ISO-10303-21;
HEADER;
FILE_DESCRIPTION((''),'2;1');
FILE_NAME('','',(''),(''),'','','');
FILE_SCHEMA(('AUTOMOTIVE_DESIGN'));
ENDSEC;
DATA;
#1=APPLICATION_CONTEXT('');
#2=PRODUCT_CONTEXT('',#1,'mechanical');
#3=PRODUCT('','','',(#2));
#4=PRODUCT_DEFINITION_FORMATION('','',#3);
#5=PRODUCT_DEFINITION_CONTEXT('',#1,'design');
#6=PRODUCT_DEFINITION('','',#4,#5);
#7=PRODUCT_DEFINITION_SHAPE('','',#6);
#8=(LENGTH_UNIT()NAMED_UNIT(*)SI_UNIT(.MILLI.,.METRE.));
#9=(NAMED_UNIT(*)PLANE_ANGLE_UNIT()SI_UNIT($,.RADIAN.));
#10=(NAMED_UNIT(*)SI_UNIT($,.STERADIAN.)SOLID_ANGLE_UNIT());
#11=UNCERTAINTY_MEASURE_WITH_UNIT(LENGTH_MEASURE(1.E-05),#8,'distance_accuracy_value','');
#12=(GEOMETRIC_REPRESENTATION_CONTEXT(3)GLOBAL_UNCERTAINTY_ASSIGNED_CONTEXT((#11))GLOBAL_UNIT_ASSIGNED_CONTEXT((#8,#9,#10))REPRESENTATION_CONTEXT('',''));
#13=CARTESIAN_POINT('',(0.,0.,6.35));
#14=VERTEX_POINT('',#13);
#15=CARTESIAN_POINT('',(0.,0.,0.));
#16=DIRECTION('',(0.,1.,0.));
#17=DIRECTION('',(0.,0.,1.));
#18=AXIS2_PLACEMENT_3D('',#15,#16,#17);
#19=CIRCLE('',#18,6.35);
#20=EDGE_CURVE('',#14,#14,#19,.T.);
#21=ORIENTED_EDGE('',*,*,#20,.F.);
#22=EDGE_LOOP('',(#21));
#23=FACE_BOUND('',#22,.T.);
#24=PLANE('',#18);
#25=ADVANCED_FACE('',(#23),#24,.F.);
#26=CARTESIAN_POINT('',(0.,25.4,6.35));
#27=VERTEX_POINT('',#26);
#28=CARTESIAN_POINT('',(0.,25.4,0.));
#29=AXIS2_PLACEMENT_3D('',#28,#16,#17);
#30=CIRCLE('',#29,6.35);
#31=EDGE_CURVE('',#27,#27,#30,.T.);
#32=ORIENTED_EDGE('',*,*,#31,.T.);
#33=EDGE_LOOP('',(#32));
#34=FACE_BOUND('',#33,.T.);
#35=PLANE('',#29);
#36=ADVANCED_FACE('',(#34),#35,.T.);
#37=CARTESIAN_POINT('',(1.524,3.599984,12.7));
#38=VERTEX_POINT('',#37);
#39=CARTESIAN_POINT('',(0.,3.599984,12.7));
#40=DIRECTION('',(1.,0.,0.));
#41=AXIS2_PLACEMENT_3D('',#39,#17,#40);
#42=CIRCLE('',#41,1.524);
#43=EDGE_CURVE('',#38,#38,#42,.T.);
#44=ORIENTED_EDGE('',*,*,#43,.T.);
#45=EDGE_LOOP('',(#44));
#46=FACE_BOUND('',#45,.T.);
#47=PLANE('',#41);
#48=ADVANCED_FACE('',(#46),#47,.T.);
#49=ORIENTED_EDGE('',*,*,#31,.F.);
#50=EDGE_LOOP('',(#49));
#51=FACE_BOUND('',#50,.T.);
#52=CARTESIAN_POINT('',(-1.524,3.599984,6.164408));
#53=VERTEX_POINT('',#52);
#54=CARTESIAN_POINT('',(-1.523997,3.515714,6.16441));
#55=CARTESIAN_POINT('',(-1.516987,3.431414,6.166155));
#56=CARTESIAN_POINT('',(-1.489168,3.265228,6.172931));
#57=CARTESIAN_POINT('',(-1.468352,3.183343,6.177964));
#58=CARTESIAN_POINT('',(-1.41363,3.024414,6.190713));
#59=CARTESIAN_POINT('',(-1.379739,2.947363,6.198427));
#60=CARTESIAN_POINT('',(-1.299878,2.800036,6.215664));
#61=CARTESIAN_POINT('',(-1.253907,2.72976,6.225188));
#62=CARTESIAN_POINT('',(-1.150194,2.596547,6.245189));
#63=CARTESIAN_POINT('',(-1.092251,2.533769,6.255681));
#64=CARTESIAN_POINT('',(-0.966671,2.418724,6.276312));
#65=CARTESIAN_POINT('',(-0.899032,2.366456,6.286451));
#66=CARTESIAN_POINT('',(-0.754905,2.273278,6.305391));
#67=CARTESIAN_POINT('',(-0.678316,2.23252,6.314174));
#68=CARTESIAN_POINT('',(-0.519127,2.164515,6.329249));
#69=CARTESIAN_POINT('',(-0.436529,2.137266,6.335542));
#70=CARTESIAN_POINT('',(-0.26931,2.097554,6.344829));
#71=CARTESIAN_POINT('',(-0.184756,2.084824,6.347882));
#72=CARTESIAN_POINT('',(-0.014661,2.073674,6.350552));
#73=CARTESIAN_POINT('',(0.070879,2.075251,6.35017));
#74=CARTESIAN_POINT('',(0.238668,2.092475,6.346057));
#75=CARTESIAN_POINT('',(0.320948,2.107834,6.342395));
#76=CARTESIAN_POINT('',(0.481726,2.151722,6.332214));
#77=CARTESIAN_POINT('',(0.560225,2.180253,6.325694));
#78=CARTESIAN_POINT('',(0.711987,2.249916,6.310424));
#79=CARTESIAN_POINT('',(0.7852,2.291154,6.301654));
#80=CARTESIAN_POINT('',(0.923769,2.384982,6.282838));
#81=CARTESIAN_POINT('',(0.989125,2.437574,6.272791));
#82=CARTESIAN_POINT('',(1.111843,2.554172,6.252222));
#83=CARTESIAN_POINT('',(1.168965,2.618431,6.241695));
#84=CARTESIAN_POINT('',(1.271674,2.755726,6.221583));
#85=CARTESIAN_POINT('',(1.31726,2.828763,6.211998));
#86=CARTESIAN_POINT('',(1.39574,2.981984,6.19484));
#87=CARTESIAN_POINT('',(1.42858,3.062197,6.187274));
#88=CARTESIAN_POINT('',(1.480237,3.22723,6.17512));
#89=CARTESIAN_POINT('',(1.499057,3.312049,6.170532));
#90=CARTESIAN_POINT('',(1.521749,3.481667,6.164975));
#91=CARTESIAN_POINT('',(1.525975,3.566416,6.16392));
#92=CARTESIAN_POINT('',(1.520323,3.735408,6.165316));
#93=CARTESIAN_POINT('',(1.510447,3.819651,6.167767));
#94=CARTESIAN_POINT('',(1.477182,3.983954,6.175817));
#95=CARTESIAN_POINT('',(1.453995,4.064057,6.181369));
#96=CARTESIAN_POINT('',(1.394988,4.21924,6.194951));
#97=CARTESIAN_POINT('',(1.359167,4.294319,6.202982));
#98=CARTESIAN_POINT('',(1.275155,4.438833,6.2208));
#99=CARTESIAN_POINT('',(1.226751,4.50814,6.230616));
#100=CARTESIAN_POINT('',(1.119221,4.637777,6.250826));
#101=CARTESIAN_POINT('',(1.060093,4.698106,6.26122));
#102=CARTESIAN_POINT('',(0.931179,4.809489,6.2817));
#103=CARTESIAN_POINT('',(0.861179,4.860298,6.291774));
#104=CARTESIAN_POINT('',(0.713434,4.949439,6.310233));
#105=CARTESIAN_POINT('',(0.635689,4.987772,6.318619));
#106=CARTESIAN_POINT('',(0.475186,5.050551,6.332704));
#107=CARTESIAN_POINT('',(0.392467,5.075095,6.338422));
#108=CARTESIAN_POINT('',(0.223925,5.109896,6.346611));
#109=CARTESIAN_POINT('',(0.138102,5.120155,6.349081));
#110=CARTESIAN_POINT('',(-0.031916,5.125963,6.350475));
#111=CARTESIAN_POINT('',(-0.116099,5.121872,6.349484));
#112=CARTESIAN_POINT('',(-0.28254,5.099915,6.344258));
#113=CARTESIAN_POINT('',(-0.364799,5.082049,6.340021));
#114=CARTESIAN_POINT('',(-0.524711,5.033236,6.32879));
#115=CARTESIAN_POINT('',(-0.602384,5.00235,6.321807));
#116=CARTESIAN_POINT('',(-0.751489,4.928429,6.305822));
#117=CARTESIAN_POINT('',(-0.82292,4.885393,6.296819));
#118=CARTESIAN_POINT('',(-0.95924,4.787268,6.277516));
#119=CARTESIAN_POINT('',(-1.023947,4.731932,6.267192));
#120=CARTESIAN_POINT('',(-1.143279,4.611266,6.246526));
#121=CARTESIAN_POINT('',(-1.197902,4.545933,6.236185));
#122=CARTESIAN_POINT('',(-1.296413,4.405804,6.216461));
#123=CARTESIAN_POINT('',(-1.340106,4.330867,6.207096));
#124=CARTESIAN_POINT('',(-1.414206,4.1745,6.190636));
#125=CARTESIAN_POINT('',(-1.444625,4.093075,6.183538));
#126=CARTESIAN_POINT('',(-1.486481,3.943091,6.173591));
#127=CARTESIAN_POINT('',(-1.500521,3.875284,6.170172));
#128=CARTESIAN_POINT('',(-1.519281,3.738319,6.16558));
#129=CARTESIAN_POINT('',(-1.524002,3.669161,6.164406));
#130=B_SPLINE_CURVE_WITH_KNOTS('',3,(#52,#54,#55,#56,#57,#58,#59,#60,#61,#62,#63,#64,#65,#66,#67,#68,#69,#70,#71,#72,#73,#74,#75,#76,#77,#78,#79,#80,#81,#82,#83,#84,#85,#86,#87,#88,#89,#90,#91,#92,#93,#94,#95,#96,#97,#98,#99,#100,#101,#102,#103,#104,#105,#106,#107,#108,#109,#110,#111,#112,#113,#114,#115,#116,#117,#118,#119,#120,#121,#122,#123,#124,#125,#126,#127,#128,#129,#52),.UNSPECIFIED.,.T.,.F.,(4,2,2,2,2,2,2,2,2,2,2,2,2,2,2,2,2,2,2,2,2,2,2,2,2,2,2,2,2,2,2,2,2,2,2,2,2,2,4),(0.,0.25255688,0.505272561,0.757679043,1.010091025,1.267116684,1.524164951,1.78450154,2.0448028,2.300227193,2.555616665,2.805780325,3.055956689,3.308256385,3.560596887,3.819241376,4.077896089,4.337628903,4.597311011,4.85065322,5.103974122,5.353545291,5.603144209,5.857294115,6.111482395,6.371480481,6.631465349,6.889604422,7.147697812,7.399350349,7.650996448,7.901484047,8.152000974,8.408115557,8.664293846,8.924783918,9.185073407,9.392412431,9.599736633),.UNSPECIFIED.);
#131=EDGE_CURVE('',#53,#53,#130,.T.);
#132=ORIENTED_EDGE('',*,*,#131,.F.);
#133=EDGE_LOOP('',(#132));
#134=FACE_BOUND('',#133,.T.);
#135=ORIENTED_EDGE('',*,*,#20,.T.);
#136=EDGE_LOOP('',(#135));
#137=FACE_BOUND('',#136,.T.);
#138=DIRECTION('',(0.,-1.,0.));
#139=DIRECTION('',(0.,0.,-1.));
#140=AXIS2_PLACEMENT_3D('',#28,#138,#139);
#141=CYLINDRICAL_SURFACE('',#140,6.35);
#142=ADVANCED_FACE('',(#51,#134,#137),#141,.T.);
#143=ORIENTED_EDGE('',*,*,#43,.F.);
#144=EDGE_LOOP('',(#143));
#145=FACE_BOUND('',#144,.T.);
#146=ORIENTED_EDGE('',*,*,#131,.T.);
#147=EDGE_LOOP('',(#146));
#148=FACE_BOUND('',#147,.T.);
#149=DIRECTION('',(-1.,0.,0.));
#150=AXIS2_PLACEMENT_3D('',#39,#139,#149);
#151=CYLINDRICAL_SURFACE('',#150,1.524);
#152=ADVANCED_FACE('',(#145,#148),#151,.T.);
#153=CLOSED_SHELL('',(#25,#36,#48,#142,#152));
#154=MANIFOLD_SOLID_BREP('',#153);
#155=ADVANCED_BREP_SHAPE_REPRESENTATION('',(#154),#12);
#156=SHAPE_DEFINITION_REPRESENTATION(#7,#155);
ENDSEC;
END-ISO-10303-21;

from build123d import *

# Parameters (mm, degrees)
SKETCH1_R           = 6.35
BOSS_EXTRUDE1_DEPTH = 25.4
SKETCH2_R           = 1.524
BOSS_EXTRUDE2_DEPTH = 12.7


with BuildPart() as part:
    # Sketch1 → Boss-Extrude1 (new body)
    with BuildSketch(Plane(origin=(0, 0, 0), x_dir=(1, 0, 0), z_dir=(0, 1, 0))):
        with Locations(Location((0, 0, 0), (0, 0, 270))):
            Circle(SKETCH1_R)
    extrude(amount=BOSS_EXTRUDE1_DEPTH)

    # Sketch2 → Boss-Extrude2 (add)
    with BuildSketch(Plane.XY):
        with Locations(Location((0, 3.599983776, 0), (0, 0, 180))):
            Circle(SKETCH2_R)
    extrude(amount=BOSS_EXTRUDE2_DEPTH)


solid = part.part
